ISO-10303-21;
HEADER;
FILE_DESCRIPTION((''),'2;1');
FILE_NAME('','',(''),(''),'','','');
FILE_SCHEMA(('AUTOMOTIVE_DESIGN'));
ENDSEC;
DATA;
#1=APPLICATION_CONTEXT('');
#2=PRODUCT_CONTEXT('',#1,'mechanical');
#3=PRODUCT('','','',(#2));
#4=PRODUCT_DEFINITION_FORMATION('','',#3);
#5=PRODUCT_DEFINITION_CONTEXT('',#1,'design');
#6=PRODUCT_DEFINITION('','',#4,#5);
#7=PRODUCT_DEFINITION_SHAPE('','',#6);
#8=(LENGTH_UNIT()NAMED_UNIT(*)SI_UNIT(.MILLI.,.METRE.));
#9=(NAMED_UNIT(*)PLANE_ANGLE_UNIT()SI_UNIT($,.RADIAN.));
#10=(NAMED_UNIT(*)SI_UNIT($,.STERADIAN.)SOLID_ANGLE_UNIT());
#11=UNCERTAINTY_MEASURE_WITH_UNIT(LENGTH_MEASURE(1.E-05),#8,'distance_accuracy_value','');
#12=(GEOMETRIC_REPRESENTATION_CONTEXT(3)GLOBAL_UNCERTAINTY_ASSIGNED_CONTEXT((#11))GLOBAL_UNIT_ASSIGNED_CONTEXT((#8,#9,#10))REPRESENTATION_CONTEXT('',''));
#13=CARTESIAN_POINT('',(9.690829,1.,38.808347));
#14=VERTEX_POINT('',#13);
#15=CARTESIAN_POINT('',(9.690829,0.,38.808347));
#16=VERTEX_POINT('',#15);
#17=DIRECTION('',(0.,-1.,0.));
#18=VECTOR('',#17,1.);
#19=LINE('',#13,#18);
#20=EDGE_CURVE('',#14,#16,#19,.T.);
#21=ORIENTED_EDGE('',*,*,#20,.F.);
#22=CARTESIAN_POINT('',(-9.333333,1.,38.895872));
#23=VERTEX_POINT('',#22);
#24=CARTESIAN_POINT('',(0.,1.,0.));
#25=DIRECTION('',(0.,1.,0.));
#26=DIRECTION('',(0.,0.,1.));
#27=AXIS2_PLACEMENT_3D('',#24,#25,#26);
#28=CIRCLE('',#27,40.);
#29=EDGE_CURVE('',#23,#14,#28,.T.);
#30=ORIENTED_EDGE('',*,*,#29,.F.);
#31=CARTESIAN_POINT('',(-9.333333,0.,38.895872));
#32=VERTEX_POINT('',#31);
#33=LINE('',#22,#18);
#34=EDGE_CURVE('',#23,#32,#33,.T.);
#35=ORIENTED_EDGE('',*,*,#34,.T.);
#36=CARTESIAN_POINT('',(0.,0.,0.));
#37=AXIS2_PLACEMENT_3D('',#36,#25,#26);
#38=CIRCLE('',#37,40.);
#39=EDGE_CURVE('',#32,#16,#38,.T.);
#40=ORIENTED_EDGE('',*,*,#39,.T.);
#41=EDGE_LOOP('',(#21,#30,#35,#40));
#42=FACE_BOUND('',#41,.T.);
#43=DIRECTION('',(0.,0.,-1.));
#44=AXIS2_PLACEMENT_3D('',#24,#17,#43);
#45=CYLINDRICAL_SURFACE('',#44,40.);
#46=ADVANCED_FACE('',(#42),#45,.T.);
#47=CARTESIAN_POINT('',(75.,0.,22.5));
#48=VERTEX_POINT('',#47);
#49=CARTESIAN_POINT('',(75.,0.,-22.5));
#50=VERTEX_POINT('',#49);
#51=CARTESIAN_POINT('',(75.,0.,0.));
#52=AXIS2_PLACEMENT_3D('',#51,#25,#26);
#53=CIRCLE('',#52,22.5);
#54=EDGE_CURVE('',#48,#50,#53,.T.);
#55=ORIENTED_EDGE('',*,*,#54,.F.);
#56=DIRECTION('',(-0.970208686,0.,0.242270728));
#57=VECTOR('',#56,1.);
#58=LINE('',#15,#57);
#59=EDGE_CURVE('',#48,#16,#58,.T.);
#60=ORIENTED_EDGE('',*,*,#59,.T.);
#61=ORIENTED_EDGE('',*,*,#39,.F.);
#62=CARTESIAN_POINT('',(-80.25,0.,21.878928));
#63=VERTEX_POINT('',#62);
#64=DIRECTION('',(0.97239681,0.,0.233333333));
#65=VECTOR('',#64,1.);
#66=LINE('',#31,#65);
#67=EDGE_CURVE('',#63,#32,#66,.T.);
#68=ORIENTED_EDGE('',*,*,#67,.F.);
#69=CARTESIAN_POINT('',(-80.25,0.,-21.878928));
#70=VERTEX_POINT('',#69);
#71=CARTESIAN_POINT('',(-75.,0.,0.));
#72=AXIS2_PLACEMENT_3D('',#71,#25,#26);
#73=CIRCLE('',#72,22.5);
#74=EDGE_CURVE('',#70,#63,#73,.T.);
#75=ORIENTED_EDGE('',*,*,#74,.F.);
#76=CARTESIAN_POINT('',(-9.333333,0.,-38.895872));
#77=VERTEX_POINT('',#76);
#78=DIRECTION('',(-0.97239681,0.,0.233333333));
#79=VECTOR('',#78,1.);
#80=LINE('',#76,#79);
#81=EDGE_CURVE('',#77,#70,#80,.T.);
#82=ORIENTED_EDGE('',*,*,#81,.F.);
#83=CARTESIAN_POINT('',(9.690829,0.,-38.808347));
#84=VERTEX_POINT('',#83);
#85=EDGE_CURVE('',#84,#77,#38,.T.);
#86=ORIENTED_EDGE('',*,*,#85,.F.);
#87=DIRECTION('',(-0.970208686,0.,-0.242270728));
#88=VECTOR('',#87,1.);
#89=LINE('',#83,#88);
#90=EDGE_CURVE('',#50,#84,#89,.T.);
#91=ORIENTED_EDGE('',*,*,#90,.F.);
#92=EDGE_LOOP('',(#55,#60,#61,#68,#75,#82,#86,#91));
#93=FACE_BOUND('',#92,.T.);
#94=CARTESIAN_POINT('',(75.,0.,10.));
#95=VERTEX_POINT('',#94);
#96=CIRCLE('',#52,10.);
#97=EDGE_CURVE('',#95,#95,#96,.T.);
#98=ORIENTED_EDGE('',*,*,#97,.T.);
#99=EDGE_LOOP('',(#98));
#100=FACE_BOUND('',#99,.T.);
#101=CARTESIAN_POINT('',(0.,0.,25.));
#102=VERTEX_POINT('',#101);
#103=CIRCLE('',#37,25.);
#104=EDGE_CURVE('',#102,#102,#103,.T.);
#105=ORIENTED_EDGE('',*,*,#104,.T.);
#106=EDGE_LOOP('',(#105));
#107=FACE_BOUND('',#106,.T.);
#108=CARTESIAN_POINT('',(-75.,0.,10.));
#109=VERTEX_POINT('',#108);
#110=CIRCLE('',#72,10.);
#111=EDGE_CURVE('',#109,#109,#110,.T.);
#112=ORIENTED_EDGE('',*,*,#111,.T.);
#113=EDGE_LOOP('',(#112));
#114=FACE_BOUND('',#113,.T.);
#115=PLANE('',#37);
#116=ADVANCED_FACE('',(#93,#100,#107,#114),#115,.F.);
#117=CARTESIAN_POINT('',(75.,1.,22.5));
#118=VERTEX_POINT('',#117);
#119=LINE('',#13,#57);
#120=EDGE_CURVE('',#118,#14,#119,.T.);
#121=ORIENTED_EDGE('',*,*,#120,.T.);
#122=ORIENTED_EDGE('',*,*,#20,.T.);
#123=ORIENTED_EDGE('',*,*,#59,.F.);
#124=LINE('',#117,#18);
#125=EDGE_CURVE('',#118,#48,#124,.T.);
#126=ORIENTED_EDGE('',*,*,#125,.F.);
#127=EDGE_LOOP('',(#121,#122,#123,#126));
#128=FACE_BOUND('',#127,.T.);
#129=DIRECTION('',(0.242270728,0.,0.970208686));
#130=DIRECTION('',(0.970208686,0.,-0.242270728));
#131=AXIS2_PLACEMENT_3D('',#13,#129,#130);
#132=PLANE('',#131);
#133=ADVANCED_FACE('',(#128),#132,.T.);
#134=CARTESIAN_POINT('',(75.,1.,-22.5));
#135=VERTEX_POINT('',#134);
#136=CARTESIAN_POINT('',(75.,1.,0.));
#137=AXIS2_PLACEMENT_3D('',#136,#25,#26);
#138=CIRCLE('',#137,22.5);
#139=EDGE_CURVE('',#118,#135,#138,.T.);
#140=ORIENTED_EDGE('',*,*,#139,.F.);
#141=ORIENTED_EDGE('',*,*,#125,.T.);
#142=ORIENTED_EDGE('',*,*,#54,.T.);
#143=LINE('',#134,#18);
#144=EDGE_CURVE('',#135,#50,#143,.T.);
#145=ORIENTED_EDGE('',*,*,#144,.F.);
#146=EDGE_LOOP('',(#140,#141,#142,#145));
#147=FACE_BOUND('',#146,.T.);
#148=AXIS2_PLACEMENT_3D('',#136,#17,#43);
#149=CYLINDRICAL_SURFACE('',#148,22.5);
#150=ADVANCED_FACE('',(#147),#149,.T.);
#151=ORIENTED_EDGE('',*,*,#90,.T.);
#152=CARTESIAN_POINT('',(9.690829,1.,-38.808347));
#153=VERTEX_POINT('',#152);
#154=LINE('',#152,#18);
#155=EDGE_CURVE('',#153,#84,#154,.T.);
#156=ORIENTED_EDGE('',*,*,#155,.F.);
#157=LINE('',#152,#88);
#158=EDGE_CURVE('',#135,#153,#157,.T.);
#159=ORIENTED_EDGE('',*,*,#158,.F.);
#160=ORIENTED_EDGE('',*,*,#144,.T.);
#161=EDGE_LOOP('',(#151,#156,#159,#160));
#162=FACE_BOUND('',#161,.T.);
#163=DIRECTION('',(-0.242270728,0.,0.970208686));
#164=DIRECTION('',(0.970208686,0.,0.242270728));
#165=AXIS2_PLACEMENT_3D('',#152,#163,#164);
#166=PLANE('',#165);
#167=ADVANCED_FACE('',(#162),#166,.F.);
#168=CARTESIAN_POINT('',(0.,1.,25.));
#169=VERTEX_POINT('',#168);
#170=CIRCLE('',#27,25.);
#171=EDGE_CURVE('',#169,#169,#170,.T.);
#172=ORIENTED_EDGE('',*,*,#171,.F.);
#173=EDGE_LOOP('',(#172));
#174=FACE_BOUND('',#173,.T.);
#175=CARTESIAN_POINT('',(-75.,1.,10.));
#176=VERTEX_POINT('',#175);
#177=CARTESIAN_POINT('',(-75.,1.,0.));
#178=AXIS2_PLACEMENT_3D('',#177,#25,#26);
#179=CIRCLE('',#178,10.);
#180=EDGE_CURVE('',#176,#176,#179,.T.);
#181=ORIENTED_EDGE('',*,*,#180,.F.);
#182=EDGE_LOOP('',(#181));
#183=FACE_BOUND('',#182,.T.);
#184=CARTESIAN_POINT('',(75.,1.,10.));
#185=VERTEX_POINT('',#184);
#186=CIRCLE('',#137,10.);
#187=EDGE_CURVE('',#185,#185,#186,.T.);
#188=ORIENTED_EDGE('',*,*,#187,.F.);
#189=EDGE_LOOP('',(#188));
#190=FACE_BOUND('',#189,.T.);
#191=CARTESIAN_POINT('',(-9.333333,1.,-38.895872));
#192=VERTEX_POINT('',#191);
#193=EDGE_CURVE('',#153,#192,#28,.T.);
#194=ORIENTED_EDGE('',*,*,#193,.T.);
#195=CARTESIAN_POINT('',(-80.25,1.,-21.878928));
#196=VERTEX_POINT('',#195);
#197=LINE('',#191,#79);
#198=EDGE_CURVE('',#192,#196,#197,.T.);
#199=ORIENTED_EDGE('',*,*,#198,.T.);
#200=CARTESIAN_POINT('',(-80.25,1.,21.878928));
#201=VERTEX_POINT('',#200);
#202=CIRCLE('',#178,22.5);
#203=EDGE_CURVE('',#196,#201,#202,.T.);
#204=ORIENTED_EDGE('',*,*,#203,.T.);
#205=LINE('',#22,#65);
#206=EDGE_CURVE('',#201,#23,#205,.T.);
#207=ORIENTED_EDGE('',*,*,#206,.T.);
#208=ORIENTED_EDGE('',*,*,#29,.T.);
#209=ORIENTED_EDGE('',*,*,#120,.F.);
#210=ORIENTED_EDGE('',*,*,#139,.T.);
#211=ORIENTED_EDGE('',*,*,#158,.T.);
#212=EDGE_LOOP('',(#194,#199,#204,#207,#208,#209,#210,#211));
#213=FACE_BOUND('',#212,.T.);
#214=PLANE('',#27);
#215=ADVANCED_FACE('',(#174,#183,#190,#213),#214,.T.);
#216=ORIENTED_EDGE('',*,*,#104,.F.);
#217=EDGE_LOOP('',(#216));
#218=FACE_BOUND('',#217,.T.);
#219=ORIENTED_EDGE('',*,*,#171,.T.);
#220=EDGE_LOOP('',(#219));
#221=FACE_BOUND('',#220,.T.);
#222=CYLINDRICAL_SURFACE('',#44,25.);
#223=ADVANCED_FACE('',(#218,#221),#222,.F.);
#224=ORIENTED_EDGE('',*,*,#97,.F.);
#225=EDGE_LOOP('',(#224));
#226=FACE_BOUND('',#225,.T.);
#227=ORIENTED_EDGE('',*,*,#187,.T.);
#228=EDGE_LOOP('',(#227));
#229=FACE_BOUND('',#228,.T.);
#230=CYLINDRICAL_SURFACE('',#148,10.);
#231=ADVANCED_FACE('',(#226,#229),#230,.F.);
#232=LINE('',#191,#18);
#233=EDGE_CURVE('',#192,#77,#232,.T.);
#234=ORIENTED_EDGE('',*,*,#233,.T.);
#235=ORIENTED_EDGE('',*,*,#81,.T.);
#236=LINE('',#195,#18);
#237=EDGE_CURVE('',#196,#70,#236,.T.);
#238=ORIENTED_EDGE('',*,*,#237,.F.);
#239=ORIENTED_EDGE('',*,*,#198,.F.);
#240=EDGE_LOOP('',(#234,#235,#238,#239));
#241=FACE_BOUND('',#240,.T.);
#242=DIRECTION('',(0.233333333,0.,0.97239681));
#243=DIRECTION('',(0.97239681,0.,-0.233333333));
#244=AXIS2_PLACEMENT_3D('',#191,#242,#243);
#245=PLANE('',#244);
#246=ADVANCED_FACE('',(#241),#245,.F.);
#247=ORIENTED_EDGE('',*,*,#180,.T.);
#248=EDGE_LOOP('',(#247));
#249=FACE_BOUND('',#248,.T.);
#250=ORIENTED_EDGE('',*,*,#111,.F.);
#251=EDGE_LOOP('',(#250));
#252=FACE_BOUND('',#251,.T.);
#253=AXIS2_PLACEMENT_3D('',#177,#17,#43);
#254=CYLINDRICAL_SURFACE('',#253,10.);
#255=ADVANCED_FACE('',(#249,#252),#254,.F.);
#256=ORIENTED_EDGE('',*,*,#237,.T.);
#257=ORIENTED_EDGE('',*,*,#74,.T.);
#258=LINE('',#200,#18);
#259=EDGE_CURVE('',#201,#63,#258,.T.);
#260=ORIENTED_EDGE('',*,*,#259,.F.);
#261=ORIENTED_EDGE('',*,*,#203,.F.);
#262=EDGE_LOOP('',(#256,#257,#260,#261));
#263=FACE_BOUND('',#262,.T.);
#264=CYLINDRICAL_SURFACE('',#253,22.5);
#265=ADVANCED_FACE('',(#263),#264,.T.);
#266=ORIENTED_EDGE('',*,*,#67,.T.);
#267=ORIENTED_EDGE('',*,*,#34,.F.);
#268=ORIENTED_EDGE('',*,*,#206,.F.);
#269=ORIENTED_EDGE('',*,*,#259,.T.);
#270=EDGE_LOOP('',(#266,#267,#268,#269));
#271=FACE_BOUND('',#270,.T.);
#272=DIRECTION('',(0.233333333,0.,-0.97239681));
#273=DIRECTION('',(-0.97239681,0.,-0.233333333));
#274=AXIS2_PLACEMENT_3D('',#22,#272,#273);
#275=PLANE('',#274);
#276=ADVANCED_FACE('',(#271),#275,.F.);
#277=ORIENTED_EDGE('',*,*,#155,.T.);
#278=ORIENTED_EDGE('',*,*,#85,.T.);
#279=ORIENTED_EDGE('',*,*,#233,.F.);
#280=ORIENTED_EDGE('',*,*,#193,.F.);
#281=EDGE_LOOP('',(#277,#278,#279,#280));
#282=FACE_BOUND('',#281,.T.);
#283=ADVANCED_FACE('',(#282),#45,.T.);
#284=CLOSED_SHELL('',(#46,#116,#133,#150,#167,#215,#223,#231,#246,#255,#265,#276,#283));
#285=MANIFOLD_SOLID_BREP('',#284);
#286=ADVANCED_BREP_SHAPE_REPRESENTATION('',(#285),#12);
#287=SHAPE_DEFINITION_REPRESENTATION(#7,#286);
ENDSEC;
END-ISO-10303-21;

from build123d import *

# Parameters (mm, degrees)
SKETCH1_R           = 22.5
SKETCH1_R_2         = 10
SKETCH1_R_3         = 40
SKETCH1_R_4         = 25
BOSS_EXTRUDE1_DEPTH = 1


with BuildPart() as part:
    # Sketch1 → Boss-Extrude1 (new body)
    # profile 1 of 5: a face of its own
    with BuildSketch(Plane(origin=(0, 0, 0), x_dir=(1, 0, 0), z_dir=(0, 1, 0))):
        with Locations((-75, 0)):
            Circle(SKETCH1_R)
        with Locations(Location((-75, 0, 0), (0, 0, 270))):
            Circle(SKETCH1_R_2, mode=Mode.SUBTRACT)
    # profile 2 of 5: a face of its own
    with BuildSketch(Plane(origin=(0, 0, 0), x_dir=(1, 0, 0), z_dir=(0, 1, 0))):
        with BuildLine():
            ThreePointArc((-52.5, 0), (-61.069368284, -17.668828484), (-80.25, -21.878928219))
            Line((-80.25, -21.878928219), (-9.333333333, -38.895872389))
            ThreePointArc((-9.333333333, -38.895872389), (-40, 0), (-9.333333333, 38.895872389))
            Line((-9.333333333, 38.895872389), (-80.25, 21.878928219))
            ThreePointArc((-80.25, 21.878928219), (-61.069368284, 17.668828484), (-52.5, 0))
        make_face()
    # profile 3 of 5: a face of its own
    with BuildSketch(Plane(origin=(0, 0, 0), x_dir=(1, 0, 0), z_dir=(0, 1, 0))):
        Circle(SKETCH1_R_3)
        with Locations(Location((0, 0, 0), (0, 0, 270))):
            Circle(SKETCH1_R_4, mode=Mode.SUBTRACT)
    # profile 4 of 5: a face of its own
    with BuildSketch(Plane(origin=(0, 0, 0), x_dir=(1, 0, 0), z_dir=(0, 1, 0))):
        with BuildLine():
            ThreePointArc((40, 0), (31.524856574, -24.620792392), (9.6908291, -38.808347444))
            Line((9.6908291, -38.808347444), (75, -22.5))
            ThreePointArc((75, -22.5), (52.5, 0), (75, 22.5))
            Line((75, 22.5), (9.6908291, 38.808347444))
            ThreePointArc((9.6908291, 38.808347444), (31.524856574, 24.620792392), (40, 0))
        make_face()
    # profile 5 of 5: a face of its own
    with BuildSketch(Plane(origin=(0, 0, 0), x_dir=(1, 0, 0), z_dir=(0, 1, 0))):
        with Locations((75, 0)):
            Circle(SKETCH1_R)
        with Locations(Location((75, 0, 0), (0, 0, 270))):
            Circle(SKETCH1_R_2, mode=Mode.SUBTRACT)
    extrude(amount=BOSS_EXTRUDE1_DEPTH)


solid = part.part
